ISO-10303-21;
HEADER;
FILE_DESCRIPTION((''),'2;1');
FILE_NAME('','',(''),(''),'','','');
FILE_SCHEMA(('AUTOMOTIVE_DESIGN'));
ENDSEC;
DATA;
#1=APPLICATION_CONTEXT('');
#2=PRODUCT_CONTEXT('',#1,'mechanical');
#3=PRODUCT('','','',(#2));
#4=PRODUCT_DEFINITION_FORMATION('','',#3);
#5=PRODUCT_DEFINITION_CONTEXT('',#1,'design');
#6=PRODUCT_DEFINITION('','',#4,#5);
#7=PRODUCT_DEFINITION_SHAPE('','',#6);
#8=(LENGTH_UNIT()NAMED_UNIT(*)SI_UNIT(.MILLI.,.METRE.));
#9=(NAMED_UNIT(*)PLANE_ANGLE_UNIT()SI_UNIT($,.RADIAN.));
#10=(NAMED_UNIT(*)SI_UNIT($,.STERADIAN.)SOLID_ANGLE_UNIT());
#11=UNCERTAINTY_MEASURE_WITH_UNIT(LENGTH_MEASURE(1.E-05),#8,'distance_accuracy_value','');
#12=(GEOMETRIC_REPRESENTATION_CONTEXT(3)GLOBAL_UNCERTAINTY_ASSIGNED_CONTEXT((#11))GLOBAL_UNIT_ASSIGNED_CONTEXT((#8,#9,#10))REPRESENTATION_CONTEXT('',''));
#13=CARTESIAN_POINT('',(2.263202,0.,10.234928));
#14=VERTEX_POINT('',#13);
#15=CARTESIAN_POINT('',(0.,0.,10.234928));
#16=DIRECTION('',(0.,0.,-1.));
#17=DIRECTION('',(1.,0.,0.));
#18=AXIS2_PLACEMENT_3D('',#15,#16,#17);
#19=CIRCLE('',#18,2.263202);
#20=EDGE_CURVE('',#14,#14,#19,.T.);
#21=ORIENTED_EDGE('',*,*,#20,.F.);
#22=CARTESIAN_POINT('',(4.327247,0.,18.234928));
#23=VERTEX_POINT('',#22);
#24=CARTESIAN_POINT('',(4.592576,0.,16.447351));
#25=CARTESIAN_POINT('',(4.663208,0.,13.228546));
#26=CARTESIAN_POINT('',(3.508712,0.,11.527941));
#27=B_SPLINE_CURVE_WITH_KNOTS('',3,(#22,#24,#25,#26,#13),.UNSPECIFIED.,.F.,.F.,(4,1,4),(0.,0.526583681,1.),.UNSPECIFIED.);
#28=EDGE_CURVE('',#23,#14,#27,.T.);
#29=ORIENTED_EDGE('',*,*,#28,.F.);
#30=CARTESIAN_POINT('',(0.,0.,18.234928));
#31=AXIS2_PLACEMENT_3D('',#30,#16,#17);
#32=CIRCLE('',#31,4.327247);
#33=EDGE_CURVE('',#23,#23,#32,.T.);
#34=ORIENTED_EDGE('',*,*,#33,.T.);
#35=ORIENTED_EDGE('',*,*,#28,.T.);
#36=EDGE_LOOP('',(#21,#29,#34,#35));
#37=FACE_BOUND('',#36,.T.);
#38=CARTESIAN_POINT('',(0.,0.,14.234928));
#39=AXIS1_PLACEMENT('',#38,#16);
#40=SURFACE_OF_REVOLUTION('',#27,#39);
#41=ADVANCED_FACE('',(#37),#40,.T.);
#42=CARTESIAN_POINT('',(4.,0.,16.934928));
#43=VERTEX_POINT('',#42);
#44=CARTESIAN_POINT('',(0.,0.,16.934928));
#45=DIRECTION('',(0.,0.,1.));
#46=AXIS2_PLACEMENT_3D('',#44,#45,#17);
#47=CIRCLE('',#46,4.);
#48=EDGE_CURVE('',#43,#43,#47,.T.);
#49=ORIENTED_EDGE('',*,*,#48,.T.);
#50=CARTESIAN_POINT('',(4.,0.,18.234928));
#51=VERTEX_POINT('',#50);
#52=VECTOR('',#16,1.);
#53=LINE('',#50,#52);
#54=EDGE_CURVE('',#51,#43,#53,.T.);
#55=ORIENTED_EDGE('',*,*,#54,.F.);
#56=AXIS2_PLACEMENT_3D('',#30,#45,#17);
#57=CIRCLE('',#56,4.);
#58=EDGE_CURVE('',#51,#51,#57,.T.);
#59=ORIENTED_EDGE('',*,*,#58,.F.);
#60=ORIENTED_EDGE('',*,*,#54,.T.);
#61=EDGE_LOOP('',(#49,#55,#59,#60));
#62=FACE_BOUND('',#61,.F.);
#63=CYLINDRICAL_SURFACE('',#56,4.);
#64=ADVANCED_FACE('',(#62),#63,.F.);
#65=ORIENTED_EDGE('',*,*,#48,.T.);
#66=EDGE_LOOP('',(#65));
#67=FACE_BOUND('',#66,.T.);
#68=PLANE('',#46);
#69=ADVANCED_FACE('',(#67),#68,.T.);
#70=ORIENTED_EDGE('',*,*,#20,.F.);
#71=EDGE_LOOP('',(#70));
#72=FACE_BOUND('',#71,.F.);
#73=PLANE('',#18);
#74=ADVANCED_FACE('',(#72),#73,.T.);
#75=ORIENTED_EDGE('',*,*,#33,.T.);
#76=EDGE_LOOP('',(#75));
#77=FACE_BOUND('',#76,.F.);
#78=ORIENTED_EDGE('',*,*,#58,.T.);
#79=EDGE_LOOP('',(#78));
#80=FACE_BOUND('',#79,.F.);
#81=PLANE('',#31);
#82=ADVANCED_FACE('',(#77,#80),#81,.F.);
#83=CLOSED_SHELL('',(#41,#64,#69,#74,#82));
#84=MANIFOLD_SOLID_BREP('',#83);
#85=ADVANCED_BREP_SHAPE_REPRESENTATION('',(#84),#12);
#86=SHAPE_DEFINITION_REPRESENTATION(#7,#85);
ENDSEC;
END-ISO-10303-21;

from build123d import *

# Parameters (mm, degrees)
F2_R     = 4
F3_DEPTH = 1.3


with BuildPart() as f1:
    # F0 (on Front) → F1 (revolve)
    with BuildSketch(Plane.XZ):
        with BuildLine():
            Line((4.327247121, 18.2349276463), (0, 18.2349276463))
            Line((0, 18.2349276463), (0, 10.2349276463))
            Line((0, 10.2349276463), (2.2632015722, 10.2349276463))
            add(Edge.make_bspline(
                [(4.327247121, 18.2349276463), (4.5925762769, 16.4473508415), (4.6632079257, 13.228545843), (3.5087119225, 11.5279407203), (2.2632015722, 10.2349276463)],
                knots=[0, 0, 0, 0, 0.5265836805, 1, 1, 1, 1], degree=3))
        make_face()
    revolve(axis=Axis((0, 0, 14.2349276463), (0, 0, -1)))

    # F2 (on face) → F3 (cut)
    with BuildSketch(Plane.XY.offset(18.2349276463)):
        Circle(F2_R)
    extrude(amount=-F3_DEPTH, mode=Mode.SUBTRACT)


solid = f1.part
